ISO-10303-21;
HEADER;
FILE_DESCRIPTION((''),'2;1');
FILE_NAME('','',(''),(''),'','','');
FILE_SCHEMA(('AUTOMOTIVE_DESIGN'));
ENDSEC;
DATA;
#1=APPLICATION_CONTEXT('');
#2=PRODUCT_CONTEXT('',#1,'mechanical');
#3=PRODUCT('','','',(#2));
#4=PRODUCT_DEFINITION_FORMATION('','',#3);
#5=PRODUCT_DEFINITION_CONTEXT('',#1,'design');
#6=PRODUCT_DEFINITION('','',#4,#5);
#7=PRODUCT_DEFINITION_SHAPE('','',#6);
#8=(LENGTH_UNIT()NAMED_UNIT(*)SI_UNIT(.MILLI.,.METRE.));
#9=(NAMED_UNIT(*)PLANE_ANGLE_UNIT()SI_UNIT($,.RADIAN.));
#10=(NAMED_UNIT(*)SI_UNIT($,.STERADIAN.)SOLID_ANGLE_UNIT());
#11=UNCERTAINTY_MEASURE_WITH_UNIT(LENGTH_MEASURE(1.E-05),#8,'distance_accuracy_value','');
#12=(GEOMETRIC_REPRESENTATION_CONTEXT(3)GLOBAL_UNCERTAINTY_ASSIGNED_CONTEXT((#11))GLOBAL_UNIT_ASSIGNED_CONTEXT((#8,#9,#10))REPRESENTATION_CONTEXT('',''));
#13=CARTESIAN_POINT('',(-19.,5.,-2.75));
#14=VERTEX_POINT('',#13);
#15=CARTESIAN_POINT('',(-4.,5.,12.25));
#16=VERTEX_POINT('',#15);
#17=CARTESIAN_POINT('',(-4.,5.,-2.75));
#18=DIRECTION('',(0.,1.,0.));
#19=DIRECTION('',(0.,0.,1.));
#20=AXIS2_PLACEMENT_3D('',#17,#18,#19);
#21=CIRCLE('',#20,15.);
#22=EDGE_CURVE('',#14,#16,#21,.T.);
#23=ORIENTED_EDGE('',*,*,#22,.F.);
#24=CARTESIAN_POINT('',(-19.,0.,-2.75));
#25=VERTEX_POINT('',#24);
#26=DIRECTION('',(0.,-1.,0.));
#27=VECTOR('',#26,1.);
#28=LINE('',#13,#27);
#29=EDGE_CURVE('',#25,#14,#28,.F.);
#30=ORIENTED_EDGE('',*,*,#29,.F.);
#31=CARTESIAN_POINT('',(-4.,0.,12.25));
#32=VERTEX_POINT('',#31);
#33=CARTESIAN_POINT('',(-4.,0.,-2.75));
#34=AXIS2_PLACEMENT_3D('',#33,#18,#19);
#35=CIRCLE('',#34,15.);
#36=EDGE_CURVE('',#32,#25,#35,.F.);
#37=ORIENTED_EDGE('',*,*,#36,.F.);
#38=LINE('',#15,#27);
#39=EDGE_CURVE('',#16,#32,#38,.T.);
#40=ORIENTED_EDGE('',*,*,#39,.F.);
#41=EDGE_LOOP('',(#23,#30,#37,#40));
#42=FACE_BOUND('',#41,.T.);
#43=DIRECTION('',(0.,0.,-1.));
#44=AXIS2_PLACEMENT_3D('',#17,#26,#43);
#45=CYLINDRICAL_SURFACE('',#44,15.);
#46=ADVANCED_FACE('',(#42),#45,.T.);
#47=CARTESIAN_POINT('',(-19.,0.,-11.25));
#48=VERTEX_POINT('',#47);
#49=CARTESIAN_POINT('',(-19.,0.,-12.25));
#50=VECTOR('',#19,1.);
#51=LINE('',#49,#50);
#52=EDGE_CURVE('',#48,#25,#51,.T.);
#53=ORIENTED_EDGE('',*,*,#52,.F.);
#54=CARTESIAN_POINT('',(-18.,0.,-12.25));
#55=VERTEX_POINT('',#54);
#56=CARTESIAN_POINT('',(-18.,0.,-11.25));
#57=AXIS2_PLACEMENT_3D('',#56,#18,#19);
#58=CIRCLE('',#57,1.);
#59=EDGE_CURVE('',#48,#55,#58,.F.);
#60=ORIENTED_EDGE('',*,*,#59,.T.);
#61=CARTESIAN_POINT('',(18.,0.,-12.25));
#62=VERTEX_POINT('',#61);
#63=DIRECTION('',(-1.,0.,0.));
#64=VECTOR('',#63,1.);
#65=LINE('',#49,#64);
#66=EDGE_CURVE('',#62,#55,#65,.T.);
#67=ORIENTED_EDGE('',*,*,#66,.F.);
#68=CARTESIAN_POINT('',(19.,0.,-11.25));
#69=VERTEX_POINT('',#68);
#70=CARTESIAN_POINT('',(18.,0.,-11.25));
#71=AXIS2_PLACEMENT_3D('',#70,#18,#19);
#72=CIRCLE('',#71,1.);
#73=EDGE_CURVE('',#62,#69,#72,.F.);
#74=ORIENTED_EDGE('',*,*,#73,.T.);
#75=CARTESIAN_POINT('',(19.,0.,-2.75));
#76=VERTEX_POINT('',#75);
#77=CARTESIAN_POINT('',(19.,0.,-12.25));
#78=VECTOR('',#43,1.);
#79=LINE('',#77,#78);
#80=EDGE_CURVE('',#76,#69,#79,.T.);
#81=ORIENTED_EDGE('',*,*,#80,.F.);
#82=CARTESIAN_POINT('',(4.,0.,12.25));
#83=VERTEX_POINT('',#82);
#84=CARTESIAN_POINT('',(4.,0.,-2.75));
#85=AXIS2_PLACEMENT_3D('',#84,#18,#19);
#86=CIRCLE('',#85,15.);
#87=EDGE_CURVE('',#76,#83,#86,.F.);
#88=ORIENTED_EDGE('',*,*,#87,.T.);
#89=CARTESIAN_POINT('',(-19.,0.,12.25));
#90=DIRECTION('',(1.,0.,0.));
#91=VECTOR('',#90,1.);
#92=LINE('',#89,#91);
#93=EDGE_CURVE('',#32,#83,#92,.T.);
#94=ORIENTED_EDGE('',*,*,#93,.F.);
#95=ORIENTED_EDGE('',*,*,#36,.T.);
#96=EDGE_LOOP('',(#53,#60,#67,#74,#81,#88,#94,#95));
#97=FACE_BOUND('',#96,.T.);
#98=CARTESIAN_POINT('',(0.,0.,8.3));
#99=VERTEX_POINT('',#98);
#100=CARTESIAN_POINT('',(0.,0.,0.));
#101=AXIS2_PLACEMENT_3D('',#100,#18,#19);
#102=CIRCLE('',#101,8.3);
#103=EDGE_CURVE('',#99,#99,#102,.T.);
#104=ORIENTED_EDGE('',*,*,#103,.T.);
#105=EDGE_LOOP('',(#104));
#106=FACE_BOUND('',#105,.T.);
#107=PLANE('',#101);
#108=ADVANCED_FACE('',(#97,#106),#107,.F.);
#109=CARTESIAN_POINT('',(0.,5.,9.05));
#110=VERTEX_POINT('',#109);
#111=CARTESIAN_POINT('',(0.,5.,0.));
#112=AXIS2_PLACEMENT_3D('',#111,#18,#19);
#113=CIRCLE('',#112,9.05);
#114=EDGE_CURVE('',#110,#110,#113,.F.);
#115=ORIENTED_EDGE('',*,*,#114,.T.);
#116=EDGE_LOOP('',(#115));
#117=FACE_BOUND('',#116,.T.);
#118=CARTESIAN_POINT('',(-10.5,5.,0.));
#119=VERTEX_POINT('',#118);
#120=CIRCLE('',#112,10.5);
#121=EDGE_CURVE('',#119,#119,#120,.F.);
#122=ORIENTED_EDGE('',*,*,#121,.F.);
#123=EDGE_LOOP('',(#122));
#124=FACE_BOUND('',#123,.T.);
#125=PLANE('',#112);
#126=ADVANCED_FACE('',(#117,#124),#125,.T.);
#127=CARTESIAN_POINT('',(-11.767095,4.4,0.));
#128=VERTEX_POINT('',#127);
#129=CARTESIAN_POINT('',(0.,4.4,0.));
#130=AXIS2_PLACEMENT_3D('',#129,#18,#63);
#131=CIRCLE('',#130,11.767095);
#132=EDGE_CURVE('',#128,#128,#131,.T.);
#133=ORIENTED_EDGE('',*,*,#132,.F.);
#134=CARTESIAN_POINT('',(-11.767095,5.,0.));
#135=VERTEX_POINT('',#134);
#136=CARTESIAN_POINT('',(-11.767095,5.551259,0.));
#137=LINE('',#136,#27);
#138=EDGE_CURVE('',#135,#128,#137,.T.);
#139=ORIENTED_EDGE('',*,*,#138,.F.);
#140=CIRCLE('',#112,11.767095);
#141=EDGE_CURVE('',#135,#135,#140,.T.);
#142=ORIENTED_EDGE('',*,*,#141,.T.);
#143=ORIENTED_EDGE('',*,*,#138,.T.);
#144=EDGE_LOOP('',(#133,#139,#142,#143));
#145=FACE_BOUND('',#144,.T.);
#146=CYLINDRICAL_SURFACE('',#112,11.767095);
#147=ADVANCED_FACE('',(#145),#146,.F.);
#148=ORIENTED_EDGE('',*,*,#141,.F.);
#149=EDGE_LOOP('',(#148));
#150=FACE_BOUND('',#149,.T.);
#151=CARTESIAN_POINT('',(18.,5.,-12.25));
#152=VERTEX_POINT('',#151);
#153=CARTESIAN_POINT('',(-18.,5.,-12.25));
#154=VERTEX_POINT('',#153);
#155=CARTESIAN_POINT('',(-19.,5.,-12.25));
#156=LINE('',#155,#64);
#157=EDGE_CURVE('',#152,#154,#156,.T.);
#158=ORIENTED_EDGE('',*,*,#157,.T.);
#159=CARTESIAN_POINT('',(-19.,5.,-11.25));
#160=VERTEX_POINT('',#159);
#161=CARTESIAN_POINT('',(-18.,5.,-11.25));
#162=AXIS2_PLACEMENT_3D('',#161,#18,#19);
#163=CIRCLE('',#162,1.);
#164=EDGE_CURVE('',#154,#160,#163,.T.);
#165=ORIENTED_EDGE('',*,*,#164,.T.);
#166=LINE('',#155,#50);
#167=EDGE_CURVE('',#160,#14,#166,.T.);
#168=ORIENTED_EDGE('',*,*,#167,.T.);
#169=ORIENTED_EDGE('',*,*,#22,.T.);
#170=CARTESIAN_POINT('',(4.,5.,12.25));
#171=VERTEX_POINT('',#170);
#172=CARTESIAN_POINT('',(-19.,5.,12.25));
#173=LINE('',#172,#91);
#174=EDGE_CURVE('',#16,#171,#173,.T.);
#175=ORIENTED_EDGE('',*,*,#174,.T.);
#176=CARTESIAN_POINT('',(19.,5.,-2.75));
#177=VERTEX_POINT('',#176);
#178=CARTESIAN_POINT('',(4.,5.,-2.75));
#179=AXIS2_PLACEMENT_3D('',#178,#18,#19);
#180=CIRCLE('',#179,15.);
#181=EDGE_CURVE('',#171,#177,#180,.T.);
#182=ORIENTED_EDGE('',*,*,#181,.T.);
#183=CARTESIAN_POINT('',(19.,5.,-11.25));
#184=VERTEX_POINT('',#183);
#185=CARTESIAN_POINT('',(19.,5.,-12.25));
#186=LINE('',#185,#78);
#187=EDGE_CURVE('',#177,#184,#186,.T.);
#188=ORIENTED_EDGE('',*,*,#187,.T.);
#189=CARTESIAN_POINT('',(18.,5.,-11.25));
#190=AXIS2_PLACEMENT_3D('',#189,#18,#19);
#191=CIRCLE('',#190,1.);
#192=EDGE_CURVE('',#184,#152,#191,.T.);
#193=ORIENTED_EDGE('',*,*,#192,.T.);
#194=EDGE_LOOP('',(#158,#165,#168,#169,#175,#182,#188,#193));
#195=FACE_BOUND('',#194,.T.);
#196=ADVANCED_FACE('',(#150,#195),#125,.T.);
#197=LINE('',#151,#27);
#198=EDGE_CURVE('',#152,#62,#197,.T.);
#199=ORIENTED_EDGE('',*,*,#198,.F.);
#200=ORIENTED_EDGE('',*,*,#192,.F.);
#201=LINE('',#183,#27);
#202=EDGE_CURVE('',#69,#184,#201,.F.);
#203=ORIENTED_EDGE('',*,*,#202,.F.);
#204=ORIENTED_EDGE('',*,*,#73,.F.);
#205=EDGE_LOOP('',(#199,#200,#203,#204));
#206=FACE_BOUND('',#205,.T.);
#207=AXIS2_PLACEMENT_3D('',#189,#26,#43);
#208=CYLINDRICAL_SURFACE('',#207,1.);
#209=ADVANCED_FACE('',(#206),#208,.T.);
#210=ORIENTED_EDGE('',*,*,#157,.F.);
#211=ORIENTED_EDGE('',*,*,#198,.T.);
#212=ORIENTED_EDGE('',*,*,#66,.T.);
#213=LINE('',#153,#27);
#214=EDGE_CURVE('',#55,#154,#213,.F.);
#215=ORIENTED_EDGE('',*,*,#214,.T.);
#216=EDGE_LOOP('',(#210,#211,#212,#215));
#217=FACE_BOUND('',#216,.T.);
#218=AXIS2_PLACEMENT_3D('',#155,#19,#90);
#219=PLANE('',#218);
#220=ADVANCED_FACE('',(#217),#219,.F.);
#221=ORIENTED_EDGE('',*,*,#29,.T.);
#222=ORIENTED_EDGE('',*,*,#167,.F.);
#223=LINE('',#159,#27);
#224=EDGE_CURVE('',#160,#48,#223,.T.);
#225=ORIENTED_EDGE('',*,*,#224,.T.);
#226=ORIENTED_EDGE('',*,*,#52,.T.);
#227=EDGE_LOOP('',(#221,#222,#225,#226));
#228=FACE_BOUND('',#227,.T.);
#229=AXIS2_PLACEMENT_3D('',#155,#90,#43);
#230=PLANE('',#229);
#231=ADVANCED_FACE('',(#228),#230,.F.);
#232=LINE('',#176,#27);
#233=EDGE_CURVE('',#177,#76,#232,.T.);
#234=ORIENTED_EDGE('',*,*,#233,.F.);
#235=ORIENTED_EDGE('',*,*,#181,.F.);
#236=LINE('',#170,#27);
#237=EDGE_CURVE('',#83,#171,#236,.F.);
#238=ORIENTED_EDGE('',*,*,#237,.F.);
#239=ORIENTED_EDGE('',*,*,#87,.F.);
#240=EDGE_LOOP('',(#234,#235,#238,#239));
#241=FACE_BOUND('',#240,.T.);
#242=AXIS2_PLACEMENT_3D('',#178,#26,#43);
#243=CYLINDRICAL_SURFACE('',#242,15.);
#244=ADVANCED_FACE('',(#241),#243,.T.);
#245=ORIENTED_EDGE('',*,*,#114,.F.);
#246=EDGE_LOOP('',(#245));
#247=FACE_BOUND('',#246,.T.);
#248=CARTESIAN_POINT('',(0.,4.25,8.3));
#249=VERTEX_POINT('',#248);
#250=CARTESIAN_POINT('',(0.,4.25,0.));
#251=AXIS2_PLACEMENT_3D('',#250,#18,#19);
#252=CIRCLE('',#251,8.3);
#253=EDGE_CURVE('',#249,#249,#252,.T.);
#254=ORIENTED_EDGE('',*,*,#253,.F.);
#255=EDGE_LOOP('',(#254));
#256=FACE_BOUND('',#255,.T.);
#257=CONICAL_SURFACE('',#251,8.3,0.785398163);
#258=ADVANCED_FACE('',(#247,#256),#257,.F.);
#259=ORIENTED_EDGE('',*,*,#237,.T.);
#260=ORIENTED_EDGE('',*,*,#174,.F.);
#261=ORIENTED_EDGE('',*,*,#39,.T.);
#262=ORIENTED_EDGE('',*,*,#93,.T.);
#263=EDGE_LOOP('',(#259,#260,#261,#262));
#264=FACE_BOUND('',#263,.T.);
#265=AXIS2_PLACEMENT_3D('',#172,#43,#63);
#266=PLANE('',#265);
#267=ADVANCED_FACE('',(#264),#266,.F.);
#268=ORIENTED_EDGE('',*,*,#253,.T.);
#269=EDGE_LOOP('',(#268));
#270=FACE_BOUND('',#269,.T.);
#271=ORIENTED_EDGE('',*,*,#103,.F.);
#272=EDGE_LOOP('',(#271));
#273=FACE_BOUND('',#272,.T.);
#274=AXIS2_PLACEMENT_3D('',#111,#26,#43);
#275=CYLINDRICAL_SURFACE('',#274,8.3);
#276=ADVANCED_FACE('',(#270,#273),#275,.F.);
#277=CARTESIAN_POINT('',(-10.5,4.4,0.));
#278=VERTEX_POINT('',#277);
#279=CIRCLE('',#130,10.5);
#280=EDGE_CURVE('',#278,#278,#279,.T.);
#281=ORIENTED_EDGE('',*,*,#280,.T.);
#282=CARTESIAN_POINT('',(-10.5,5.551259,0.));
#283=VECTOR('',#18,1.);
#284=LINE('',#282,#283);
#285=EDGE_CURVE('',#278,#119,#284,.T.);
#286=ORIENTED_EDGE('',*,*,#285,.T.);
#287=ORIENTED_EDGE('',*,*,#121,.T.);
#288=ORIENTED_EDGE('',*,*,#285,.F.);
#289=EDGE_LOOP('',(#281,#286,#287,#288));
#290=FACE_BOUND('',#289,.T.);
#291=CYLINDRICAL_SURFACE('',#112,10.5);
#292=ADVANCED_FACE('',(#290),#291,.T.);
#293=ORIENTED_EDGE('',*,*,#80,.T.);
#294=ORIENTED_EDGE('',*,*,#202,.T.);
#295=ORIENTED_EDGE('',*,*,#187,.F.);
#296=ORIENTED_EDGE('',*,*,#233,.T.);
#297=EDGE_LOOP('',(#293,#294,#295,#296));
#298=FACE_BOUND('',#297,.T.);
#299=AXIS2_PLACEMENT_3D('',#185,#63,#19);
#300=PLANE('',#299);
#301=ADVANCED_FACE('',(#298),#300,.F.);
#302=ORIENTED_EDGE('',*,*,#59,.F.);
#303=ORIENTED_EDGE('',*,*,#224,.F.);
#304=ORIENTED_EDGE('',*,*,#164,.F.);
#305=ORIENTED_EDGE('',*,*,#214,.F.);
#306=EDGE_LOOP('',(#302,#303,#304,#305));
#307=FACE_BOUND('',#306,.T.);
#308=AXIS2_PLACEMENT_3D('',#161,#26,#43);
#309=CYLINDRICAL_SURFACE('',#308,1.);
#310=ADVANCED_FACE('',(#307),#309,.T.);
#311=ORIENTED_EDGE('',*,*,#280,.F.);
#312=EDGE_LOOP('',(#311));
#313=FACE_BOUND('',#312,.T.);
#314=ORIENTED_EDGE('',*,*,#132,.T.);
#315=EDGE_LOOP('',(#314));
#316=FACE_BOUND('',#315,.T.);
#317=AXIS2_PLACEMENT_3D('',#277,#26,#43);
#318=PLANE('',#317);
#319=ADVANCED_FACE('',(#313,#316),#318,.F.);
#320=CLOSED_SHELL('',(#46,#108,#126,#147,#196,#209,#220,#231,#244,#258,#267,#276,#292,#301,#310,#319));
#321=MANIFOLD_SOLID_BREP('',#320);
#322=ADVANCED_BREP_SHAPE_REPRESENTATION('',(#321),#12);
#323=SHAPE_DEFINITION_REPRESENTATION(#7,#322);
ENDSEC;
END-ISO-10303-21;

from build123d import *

# Parameters (mm, degrees)
SKETCH1_W           = 38
SKETCH1_H           = 24.5
SKETCH1_R           = 8.3
BOSS_EXTRUDE1_DEPTH = 5
FILLET1_R           = 15
FILLET2_R           = 1
CHAMFER1_SIZE       = 0.75
SKETCH3_W           = 1.267094865
SKETCH3_H           = 1.151259449


with BuildPart() as part:
    # Sketch1 → Boss-Extrude1 (new body)
    with BuildSketch(Plane(origin=(0, 0, 0), x_dir=(1, 0, 0), z_dir=(0, 1, 0))):
        Rectangle(SKETCH1_W, SKETCH1_H)
        with Locations(Location((0, 0, 0), (0, 0, 270))):
            Circle(SKETCH1_R, mode=Mode.SUBTRACT)
    extrude(amount=BOSS_EXTRUDE1_DEPTH)

    # Fillet1
    fillet1_edges = [part.edges().sort_by_distance(p)[0] for p in [
        (19, 2.5, 12.25),
        (-19, 2.5, 12.25),
    ]]
    fillet(fillet1_edges, radius=FILLET1_R)

    # Fillet2
    fillet2_edges = [part.edges().sort_by_distance(p)[0] for p in [
        (-19, 2.5, -12.25),
        (19, 2.5, -12.25),
    ]]
    fillet(fillet2_edges, radius=FILLET2_R)

    # Chamfer1
    chamfer1_edges = [part.edges().sort_by_distance(p)[0] for p in [
        (0, 5, -8.3),
    ]]
    chamfer(chamfer1_edges, length=CHAMFER1_SIZE)

    # o-ring: sweep along a path in Sketch4
    with BuildLine(Plane(origin=(0, 5, 0), x_dir=(1, 0, 0), z_dir=(0, 1, 0))) as o_ring_path:
        CenterArc((0, 0), 11, 0, 360)
    # Sketch3 → o-ring (sweep, cut)
    with BuildSketch(Plane.XY):
        with Locations((-11.133547433, 4.975629725)):
            Rectangle(SKETCH3_W, SKETCH3_H)
    sweep(path=o_ring_path.line, mode=Mode.SUBTRACT)


solid = part.part
